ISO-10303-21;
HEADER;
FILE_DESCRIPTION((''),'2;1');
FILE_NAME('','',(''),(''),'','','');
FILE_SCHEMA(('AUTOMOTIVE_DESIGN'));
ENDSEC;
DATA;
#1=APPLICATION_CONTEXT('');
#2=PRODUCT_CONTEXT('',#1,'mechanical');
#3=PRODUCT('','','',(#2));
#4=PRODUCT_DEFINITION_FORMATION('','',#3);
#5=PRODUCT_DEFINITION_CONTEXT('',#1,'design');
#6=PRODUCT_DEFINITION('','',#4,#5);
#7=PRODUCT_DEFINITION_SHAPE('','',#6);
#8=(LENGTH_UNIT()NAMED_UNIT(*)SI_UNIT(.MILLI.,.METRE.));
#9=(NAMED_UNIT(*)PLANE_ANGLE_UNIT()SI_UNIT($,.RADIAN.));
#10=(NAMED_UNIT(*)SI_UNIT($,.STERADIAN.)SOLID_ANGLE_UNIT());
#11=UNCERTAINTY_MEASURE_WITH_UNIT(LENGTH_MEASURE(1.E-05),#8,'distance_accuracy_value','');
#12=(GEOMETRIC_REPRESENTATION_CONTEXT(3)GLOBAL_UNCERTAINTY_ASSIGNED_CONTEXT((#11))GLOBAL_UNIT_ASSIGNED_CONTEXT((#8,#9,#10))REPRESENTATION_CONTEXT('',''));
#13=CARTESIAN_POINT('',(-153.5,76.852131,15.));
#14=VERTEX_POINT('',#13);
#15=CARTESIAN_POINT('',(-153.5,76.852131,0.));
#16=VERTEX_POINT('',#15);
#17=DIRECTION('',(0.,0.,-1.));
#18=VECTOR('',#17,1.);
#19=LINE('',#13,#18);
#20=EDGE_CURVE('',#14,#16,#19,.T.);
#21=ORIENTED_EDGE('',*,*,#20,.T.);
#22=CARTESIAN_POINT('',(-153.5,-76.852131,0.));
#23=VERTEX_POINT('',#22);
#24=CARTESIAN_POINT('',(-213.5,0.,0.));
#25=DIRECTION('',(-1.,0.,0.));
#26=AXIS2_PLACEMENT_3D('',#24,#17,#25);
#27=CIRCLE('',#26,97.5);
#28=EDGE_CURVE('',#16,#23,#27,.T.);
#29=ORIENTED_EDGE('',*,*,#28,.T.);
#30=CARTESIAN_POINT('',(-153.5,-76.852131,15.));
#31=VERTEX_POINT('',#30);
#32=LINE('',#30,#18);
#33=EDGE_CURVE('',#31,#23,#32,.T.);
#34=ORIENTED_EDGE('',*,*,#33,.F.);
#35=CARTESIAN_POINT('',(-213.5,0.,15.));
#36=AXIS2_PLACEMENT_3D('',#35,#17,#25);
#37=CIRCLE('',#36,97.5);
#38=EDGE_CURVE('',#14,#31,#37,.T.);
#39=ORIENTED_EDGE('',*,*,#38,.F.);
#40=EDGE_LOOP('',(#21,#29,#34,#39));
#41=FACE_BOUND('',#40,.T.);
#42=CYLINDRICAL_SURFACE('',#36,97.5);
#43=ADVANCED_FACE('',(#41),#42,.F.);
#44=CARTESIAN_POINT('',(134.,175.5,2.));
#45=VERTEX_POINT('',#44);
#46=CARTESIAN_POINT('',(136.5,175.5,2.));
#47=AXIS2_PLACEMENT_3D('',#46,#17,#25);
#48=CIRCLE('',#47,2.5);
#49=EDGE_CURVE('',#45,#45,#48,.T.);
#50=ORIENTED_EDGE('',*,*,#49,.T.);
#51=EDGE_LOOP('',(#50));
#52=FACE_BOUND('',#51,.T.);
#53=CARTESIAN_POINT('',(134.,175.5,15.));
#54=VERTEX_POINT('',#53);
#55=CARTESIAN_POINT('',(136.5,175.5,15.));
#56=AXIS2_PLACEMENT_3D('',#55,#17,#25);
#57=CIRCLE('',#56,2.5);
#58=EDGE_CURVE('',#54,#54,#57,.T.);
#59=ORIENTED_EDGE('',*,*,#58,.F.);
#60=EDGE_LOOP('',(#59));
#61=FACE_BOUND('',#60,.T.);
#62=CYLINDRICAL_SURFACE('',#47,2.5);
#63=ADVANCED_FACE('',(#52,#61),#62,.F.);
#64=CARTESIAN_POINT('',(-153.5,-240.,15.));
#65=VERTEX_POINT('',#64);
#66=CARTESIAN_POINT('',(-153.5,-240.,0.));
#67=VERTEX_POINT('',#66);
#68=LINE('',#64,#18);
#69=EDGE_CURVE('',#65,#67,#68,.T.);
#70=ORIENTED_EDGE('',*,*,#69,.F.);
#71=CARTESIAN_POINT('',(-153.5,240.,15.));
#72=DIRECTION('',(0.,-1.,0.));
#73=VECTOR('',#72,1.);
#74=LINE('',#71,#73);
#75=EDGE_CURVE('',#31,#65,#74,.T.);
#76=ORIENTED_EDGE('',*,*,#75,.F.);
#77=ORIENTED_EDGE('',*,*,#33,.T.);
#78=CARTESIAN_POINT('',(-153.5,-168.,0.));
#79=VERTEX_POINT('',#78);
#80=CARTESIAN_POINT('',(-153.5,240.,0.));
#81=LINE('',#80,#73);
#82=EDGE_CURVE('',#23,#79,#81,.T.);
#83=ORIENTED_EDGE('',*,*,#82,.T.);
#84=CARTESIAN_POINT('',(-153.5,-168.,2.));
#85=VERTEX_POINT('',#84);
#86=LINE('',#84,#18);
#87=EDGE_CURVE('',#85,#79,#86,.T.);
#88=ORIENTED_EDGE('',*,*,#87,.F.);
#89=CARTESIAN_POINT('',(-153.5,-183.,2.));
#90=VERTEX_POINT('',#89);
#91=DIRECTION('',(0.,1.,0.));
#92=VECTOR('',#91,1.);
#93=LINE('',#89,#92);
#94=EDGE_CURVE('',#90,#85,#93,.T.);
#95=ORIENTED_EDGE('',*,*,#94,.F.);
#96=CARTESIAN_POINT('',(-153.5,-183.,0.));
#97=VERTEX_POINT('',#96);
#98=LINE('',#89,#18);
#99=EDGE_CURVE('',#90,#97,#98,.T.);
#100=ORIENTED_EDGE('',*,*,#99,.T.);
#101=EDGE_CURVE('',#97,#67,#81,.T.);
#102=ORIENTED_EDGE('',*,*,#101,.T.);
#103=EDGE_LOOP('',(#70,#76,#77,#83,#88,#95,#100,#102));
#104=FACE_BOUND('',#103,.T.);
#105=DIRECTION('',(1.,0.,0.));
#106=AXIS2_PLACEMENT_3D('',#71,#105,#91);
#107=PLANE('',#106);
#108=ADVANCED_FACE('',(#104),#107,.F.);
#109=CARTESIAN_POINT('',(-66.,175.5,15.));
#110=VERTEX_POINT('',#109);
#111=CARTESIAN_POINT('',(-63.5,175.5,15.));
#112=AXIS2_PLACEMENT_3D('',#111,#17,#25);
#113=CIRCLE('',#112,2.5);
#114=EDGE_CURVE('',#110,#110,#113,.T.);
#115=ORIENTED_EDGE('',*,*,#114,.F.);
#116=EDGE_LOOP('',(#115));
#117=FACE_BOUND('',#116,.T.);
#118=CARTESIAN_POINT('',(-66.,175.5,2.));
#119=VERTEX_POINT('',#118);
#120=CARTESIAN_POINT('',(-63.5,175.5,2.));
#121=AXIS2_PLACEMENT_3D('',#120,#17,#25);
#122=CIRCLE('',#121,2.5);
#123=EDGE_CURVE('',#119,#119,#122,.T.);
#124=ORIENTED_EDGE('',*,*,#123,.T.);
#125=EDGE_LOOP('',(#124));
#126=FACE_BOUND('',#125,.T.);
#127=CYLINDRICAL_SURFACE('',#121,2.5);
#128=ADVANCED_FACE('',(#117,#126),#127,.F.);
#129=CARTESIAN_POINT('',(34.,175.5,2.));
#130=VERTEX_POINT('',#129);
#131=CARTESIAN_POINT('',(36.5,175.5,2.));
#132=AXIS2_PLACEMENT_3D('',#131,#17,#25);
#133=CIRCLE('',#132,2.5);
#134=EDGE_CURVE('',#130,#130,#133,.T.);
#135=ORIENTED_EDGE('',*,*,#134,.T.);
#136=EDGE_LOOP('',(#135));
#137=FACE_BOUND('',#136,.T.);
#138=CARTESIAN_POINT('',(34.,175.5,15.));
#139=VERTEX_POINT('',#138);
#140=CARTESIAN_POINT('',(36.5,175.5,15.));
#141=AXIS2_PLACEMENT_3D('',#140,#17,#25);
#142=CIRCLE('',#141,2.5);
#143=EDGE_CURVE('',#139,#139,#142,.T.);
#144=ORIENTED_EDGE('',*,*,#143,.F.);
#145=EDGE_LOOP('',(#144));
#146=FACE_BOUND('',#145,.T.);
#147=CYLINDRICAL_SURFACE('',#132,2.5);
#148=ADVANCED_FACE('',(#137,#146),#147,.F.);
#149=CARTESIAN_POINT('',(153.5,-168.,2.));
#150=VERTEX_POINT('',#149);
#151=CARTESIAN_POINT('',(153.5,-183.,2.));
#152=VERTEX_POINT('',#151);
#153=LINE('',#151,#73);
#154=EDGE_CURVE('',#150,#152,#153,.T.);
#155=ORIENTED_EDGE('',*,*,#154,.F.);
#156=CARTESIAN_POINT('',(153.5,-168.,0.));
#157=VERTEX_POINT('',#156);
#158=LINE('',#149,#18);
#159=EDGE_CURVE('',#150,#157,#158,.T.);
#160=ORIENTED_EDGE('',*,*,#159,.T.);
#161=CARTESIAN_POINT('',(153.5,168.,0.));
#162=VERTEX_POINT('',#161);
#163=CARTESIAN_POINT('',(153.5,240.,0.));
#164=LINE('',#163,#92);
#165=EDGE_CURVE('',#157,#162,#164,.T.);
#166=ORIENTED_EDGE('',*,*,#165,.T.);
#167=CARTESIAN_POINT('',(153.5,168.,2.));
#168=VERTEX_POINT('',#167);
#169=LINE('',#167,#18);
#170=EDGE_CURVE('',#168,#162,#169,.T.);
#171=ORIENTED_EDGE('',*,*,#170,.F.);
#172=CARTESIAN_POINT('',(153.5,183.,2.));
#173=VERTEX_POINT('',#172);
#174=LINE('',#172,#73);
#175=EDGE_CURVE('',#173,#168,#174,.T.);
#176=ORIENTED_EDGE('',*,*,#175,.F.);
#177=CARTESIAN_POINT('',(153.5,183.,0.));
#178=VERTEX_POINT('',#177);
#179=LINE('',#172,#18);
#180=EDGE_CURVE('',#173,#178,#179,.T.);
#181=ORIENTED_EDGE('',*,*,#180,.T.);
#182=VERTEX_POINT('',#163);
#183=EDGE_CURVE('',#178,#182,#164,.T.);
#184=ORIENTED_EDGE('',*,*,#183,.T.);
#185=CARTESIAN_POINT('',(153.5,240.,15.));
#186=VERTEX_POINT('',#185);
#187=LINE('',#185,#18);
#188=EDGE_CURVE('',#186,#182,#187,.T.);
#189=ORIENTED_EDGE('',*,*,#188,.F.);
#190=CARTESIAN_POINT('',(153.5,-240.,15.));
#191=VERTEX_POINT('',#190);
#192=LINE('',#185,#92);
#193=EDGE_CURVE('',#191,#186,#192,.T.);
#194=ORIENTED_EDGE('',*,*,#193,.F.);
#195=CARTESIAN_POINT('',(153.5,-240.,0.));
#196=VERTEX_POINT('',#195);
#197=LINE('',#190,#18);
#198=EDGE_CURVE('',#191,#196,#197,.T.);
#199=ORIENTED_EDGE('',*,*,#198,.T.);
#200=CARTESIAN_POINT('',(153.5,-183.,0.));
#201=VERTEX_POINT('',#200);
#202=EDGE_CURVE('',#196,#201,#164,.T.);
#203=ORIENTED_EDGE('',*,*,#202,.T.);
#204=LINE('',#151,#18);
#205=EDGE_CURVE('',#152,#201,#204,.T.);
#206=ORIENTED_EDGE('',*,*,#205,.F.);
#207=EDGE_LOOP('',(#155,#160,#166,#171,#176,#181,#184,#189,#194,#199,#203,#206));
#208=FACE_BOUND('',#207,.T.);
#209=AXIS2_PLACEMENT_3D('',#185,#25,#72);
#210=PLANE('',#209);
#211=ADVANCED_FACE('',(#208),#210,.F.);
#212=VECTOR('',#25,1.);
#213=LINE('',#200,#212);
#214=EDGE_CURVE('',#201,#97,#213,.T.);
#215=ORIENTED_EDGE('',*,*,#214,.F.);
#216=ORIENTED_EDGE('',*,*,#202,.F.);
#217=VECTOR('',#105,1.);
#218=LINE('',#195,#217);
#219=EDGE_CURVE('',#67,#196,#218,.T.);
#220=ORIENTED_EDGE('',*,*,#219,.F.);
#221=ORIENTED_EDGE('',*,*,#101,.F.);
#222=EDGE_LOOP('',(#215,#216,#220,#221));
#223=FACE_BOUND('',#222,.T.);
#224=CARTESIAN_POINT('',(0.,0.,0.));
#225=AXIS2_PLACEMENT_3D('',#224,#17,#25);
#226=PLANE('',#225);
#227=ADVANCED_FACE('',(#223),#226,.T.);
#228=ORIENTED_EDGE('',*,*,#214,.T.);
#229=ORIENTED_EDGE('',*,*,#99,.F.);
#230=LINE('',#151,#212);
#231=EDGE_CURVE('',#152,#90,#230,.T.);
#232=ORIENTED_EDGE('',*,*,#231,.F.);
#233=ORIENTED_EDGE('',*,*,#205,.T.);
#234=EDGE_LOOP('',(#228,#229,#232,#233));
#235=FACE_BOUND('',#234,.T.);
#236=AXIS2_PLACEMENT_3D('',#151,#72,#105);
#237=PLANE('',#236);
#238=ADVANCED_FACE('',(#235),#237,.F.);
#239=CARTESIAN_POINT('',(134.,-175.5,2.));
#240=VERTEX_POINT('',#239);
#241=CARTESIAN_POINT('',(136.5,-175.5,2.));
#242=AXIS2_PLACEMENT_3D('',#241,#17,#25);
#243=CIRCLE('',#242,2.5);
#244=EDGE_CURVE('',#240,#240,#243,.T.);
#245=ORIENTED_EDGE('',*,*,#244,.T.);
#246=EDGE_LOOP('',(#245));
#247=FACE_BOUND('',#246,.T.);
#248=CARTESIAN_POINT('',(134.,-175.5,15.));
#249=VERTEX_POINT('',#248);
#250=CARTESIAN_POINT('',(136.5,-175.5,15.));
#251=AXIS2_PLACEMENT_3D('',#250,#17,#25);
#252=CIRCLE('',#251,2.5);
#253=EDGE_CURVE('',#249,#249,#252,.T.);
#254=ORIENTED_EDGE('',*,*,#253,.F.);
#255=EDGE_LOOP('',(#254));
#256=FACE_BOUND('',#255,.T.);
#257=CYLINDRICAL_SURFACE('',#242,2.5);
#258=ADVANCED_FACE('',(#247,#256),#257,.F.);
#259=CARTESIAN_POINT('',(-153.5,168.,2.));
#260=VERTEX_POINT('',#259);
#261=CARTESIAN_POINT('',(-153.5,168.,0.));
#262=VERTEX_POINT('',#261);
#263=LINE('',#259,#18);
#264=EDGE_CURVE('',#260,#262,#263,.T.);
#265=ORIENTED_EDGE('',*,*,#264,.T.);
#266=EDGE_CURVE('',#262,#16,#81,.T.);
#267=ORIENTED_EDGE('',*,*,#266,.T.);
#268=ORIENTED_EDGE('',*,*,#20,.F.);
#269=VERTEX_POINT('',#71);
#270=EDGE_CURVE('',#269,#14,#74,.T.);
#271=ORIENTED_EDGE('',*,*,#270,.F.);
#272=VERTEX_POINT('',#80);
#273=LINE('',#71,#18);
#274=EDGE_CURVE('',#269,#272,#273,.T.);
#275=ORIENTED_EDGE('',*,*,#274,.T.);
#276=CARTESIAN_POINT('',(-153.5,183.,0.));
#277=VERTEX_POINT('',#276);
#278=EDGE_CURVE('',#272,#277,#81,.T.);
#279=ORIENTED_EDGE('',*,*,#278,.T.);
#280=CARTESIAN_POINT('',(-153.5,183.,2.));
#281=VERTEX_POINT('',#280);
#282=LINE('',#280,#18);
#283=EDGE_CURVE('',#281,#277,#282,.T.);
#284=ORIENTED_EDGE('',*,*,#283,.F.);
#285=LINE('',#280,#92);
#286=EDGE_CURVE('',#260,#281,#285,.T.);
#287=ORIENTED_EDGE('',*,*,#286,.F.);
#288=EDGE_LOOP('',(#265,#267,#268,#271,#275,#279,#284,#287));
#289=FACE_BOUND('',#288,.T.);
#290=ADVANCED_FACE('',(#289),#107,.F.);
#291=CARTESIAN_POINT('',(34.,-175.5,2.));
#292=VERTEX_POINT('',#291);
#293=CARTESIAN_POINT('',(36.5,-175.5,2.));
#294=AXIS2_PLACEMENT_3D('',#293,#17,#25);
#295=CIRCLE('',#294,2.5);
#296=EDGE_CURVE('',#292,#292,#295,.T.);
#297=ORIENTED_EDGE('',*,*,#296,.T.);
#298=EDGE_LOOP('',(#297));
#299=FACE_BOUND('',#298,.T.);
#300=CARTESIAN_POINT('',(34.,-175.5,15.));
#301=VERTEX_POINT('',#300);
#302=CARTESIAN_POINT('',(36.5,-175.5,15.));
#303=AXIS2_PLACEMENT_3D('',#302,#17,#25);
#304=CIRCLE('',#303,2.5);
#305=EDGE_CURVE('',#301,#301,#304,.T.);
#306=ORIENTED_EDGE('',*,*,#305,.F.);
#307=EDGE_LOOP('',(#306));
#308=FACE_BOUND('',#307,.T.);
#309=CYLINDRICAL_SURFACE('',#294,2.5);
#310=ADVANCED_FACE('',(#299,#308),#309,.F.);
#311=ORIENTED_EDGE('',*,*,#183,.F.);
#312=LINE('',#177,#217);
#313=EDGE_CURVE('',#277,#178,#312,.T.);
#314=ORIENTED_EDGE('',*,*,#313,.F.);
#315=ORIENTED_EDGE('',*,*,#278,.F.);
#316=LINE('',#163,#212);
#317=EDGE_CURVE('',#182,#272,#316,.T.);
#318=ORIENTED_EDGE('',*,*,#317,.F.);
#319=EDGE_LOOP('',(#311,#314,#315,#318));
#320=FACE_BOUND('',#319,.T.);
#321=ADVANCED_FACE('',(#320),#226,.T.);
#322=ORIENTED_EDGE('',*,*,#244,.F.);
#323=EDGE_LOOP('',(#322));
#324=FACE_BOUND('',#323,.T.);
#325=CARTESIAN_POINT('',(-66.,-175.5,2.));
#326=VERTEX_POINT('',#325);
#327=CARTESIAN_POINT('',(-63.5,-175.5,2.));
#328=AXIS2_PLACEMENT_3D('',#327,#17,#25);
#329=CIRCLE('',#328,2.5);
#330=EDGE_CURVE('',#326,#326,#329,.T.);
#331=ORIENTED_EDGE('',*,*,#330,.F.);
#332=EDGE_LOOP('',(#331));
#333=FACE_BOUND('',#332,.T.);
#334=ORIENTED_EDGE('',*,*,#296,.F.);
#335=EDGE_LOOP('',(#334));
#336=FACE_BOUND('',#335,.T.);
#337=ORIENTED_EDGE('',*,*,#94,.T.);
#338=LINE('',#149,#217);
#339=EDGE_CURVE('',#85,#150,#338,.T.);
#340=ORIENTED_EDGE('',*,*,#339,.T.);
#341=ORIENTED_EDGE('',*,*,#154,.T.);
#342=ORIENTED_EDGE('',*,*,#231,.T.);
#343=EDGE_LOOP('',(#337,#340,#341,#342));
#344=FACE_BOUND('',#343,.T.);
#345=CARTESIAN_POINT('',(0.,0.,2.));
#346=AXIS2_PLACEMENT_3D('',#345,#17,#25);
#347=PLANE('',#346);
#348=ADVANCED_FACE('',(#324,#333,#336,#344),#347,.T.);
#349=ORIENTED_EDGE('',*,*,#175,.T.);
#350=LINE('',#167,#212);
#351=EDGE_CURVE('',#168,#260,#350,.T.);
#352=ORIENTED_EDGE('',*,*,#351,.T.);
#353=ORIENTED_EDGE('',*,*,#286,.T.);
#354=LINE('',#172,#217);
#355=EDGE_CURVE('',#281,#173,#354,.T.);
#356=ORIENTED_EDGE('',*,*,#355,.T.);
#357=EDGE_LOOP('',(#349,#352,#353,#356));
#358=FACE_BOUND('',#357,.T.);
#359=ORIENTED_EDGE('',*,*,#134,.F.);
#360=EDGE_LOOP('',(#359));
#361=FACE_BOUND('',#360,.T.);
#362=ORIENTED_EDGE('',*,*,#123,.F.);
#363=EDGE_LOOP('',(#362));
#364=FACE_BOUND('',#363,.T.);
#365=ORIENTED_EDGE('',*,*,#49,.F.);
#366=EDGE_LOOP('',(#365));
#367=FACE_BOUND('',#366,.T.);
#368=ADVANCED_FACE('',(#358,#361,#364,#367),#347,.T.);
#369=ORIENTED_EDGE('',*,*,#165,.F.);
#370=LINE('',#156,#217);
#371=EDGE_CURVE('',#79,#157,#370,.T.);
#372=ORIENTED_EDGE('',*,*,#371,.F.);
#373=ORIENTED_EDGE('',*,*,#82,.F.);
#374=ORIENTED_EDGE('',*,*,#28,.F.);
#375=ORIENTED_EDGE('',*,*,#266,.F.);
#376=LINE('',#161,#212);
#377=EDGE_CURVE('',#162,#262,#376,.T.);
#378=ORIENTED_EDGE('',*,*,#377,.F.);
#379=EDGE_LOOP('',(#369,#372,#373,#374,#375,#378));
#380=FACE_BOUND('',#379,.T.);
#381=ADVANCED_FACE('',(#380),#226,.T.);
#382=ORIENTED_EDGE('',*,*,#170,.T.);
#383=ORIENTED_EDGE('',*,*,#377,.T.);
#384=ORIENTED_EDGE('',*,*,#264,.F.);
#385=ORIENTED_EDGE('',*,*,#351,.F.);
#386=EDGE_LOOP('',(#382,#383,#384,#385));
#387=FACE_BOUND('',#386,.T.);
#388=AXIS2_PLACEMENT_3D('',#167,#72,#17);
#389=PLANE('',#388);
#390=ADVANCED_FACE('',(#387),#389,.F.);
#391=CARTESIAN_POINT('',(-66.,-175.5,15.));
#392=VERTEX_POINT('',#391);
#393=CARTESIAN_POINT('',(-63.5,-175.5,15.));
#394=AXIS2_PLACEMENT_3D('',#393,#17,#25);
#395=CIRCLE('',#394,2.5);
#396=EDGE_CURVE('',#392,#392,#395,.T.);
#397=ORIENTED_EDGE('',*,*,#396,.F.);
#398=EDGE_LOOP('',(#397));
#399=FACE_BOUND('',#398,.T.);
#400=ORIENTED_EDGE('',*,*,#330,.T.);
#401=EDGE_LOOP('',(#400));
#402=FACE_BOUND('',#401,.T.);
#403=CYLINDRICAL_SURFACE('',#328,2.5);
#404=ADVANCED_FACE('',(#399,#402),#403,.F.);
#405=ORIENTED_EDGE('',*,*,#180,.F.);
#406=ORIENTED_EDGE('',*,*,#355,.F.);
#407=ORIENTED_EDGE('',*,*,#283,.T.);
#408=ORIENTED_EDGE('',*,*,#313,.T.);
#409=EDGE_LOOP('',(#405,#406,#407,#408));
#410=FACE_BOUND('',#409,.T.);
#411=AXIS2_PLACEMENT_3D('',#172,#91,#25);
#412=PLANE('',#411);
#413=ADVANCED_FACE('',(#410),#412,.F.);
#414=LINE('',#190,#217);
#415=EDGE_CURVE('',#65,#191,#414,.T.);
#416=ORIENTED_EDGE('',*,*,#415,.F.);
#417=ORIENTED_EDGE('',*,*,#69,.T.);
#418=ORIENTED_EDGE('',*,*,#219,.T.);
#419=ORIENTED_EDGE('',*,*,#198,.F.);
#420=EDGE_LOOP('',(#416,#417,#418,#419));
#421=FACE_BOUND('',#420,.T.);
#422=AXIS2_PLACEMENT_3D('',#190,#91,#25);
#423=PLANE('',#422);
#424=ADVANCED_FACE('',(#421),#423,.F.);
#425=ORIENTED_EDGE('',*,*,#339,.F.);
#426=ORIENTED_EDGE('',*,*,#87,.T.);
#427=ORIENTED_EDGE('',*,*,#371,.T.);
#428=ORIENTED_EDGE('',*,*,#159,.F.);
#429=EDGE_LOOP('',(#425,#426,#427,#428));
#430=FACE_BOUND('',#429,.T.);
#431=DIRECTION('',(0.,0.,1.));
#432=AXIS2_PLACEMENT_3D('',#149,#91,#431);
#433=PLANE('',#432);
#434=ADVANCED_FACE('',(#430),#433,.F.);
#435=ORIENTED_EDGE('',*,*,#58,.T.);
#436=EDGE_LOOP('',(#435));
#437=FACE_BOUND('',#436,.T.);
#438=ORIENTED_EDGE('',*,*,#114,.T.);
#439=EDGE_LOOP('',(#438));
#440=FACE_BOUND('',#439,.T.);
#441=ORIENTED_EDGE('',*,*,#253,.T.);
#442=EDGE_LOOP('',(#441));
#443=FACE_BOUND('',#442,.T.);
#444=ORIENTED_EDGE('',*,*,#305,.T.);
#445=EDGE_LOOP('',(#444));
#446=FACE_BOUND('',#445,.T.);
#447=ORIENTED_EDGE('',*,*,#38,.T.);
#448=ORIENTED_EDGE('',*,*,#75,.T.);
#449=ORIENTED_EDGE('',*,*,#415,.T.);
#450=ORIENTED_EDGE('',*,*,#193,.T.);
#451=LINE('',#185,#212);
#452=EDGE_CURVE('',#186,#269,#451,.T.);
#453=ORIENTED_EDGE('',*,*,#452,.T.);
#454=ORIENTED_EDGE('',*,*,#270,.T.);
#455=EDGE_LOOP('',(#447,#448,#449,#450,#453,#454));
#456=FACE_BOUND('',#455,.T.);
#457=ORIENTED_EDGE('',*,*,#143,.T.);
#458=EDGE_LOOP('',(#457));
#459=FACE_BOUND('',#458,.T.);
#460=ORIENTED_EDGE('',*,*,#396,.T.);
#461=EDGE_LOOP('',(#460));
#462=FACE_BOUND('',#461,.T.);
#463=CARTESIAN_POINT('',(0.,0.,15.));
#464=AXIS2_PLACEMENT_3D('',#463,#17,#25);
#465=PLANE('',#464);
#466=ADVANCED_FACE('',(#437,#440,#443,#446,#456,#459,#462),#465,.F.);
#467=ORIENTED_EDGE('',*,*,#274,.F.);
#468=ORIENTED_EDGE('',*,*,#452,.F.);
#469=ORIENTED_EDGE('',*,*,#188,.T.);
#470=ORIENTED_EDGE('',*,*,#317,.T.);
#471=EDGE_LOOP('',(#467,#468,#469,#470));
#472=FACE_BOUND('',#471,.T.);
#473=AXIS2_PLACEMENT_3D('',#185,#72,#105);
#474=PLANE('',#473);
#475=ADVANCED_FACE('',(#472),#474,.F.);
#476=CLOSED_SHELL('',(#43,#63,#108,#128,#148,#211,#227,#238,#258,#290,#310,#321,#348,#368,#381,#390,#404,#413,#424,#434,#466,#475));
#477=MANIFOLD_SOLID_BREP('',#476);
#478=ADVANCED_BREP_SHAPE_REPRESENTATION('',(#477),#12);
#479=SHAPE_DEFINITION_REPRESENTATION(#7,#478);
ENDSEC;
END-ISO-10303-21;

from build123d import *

# Parameters (mm, degrees)
SKETCH_1_W          = 307
SKETCH_1_H          = 480
EXTRUDE_1_DEPTH     = 15
SKETCH_2_W          = 307
SKETCH_2_H          = 15
CUT_EXTRUDE_1_DEPTH = 2
CUT_EXTRUDE_2_DEPTH = 286.284507115
HOLE_WIZARD_M6_1_D  = 5


with BuildPart() as part:
    # 草图1 → 凸台-拉伸1 (new body)
    with BuildSketch(Plane.XY):
        Rectangle(SKETCH_1_W, SKETCH_1_H)
    extrude(amount=EXTRUDE_1_DEPTH)

    # 草图2 → 切除-拉伸1 (cut)
    with BuildSketch(Plane(origin=(0, 0, 0), x_dir=(-1, 0, 0), z_dir=(0, 0, -1))):
        with Locations((0, 175.5)):
            Rectangle(SKETCH_2_W, SKETCH_2_H)
        with Locations((0, -175.5)):
            Rectangle(SKETCH_2_W, SKETCH_2_H)
    extrude(amount=-CUT_EXTRUDE_1_DEPTH, mode=Mode.SUBTRACT)

    # 草图3 → 切除-拉伸2 (cut, through all)
    with BuildSketch(Plane(origin=(0, 0, 0), x_dir=(-1, 0, 0), z_dir=(0, 0, -1))):
        with BuildLine():
            ThreePointArc((153.5, -76.852130745), (256.256578441, -87.624910842), (311, 0))
            ThreePointArc((311, 0), (256.256578441, 87.624910842), (153.5, 76.852130745))
            Line((153.5, 76.852130745), (153.5, -76.852130745))
        make_face()
        with BuildLine():
            Line((153.5, -76.852130745), (153.5, 76.852130745))
            ThreePointArc((153.5, 76.852130745), (116, 0), (153.5, -76.852130745))
        make_face()
    extrude(amount=-CUT_EXTRUDE_2_DEPTH, mode=Mode.SUBTRACT)

    # M6 螺纹孔1 (through all)
    with Locations(Plane(origin=(0, 0, 2), x_dir=(-1, 0, 0), z_dir=(0, 0, -1))):
        with Locations((63.5, -175.5), (-36.5, -175.5), (-136.5, -175.5), (-136.5, 175.5), (-36.5, 175.5), (63.5, 175.5)):
            Hole(HOLE_WIZARD_M6_1_D / 2)


solid = part.part
